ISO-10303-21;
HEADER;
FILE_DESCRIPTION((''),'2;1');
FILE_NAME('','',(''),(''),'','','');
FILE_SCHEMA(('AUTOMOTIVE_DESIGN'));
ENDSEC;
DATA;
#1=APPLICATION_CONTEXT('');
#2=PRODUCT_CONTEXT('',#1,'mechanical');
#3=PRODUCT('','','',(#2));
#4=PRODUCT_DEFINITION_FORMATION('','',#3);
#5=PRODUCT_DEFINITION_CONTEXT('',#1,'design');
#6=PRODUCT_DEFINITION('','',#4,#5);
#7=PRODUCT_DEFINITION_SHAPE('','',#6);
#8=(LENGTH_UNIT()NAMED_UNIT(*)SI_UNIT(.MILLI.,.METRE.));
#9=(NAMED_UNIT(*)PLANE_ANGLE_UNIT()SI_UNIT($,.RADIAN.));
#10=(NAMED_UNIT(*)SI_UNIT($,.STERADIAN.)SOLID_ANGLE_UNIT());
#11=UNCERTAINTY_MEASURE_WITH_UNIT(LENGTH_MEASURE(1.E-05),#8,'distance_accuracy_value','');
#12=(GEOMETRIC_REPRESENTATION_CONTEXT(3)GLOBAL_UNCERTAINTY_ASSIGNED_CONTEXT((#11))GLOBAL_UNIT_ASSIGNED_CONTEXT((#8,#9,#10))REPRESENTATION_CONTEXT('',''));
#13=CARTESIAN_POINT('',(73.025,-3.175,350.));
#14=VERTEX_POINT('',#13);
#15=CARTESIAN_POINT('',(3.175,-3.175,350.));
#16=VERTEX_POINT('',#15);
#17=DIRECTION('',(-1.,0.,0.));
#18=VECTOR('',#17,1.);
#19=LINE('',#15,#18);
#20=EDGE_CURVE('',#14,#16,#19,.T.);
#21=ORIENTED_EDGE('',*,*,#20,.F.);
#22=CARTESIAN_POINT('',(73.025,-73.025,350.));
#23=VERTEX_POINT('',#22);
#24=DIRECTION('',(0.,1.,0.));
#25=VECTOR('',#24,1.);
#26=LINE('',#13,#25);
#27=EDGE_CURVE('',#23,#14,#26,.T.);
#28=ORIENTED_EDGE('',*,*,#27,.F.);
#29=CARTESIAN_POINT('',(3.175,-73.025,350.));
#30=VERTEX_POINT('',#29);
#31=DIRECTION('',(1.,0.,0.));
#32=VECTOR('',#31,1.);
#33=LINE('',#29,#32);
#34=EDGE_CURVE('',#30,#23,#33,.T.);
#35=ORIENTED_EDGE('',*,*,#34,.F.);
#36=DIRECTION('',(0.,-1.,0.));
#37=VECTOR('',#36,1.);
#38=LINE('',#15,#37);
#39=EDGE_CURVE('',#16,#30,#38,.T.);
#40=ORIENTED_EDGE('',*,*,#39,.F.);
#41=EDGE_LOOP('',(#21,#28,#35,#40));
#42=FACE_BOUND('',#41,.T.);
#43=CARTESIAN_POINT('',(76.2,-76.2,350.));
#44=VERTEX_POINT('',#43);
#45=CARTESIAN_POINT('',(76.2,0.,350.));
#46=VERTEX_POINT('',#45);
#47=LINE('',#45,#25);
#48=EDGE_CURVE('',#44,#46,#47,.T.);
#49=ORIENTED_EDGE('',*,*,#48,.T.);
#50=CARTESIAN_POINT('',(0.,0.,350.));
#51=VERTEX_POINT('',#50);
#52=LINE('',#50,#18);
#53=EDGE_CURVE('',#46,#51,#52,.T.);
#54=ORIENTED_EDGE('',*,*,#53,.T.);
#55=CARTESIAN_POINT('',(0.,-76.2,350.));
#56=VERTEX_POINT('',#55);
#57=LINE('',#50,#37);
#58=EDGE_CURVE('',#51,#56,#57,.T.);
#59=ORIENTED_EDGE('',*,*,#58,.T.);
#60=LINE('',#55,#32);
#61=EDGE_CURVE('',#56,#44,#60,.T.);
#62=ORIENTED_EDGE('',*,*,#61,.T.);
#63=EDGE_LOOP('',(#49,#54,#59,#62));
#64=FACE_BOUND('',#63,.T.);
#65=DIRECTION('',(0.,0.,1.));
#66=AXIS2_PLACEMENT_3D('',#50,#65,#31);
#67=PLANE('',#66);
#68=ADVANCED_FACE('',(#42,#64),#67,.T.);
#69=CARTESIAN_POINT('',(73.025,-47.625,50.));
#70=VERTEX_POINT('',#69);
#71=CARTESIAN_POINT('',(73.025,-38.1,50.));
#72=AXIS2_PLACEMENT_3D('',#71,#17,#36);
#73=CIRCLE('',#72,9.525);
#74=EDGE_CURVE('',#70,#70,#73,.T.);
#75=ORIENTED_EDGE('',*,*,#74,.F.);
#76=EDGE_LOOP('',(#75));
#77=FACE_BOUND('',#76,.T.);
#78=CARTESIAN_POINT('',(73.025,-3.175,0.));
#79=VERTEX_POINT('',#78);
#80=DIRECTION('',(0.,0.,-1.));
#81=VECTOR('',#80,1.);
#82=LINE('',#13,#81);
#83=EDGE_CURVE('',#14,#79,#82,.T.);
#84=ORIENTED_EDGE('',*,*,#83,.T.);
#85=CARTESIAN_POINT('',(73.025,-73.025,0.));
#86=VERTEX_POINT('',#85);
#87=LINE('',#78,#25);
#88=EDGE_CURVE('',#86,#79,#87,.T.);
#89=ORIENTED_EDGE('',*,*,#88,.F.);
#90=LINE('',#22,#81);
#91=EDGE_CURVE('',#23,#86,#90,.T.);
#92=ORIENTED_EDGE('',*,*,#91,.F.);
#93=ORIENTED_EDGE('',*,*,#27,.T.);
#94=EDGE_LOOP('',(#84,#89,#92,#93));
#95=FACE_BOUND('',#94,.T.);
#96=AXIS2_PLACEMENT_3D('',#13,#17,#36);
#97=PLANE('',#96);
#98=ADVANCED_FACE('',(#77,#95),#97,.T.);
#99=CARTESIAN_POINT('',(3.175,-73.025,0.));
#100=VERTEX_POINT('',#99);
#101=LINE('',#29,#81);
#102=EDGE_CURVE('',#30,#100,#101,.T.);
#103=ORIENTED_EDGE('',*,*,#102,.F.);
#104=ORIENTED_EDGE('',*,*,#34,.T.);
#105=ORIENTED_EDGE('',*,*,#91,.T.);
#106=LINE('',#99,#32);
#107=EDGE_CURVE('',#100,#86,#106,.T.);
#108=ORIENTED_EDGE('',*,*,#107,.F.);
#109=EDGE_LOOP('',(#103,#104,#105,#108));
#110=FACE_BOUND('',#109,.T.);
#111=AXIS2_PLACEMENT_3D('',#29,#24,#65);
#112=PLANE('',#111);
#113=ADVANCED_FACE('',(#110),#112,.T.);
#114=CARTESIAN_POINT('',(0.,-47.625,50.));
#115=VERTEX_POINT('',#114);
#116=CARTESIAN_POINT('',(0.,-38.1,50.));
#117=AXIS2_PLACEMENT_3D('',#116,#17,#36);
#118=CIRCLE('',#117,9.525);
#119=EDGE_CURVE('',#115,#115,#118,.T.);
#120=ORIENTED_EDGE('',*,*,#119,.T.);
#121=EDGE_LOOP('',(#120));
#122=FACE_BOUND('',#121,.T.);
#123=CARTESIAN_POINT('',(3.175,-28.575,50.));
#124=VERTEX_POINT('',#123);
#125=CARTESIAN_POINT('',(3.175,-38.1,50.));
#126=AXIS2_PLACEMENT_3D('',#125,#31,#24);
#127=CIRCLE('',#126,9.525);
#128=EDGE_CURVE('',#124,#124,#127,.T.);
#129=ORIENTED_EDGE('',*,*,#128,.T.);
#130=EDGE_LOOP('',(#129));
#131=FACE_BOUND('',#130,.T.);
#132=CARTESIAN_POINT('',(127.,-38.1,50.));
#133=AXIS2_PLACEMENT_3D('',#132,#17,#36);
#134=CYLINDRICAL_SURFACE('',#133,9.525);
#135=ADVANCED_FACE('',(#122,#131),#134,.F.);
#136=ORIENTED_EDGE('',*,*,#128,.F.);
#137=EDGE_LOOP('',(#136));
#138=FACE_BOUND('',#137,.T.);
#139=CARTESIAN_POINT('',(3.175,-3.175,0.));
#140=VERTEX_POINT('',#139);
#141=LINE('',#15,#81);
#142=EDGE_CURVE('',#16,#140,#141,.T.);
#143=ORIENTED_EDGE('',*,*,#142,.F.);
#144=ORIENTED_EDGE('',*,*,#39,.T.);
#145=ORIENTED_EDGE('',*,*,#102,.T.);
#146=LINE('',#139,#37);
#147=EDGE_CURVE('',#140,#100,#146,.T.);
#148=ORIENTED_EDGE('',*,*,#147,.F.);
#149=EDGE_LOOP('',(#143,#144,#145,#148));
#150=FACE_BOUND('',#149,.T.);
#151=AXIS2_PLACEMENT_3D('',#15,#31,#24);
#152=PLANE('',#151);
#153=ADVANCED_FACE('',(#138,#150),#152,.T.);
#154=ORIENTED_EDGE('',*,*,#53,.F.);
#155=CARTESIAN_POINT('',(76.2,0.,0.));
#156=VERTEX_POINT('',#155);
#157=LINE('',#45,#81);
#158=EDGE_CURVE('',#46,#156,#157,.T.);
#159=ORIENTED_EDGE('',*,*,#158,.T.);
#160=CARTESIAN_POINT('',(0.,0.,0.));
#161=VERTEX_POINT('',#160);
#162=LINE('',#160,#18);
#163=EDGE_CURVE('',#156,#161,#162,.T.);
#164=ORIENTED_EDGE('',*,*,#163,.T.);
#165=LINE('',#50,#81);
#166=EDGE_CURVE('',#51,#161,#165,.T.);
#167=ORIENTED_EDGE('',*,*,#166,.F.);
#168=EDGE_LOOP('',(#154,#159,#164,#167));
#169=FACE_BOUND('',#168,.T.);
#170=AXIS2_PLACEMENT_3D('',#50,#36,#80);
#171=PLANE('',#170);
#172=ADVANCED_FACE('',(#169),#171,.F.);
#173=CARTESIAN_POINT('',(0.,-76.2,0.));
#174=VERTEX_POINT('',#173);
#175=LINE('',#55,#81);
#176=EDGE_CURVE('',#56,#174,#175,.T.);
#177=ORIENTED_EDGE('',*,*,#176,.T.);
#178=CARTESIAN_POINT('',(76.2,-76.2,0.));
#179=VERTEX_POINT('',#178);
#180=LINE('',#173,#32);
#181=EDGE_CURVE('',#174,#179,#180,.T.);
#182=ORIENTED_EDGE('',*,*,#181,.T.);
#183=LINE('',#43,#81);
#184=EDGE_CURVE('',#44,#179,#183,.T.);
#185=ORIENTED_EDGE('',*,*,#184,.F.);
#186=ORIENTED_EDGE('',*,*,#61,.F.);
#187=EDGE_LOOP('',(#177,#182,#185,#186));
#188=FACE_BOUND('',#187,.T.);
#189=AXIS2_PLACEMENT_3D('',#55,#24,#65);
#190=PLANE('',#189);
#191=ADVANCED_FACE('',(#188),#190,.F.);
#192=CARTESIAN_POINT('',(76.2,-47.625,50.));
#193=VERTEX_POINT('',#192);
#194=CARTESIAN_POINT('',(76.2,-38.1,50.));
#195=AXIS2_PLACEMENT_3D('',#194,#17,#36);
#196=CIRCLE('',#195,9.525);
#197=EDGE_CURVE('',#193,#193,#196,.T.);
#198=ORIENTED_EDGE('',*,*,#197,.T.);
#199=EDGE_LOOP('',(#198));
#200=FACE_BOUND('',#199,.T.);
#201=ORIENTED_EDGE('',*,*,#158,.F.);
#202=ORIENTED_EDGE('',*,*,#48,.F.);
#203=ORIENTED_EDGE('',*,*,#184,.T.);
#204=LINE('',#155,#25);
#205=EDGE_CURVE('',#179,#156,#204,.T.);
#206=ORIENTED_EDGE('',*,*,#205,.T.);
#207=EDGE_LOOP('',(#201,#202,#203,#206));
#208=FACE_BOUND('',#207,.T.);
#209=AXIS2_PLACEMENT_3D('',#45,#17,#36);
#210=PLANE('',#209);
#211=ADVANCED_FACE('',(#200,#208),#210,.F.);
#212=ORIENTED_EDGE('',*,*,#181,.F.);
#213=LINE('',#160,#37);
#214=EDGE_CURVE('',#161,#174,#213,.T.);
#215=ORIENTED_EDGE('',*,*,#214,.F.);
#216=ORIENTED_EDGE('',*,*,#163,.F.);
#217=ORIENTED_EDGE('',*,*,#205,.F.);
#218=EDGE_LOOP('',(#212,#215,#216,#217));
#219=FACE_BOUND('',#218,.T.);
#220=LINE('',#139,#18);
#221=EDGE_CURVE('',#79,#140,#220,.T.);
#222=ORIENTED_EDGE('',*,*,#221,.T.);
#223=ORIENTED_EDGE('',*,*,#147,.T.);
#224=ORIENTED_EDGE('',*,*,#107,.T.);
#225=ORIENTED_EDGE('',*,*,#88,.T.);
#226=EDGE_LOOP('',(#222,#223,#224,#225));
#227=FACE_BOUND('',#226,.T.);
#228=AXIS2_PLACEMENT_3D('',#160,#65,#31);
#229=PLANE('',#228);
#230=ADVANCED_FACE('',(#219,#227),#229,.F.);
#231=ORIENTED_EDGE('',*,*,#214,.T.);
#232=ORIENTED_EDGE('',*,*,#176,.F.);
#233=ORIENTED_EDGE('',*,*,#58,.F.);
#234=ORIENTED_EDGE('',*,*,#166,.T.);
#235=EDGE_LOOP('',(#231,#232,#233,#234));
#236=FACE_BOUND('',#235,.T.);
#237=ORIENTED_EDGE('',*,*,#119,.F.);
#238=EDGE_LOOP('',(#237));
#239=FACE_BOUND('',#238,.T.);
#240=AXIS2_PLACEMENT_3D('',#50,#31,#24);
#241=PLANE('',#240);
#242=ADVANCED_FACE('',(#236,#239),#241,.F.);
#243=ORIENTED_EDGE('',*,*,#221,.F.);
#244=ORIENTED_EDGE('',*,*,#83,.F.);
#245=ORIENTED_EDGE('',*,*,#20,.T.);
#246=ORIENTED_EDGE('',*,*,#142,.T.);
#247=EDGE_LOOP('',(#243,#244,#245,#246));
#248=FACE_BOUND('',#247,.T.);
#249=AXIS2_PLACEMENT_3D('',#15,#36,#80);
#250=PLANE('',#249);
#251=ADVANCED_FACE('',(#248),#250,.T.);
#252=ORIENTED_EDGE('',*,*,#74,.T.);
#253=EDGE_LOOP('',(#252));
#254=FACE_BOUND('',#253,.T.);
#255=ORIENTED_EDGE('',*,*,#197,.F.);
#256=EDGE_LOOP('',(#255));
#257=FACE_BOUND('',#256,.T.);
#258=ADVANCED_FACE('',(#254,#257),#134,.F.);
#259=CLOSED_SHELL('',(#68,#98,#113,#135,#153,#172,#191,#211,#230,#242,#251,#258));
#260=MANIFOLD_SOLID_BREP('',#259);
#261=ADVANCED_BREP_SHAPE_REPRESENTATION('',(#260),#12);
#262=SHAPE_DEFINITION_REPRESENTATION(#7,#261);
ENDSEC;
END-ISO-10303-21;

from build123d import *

# Parameters (mm, degrees)
CROQUIS1_W              = 76.2
CROQUIS1_H              = 76.2
CROQUIS1_W_2            = 69.85
CROQUIS1_H_2            = 69.85
SALIENTE_EXTRUIR1_DEPTH = 350
CROQUIS3_R              = 9.525
CORTAR_EXTRUIR2_DEPTH   = 127


with BuildPart() as part:
    # Croquis1 → Saliente-Extruir1 (new body)
    with BuildSketch(Plane.XY):
        with Locations((38.1, -38.1)):
            Rectangle(CROQUIS1_W, CROQUIS1_H)
        with Locations((38.1, -38.1)):
            Rectangle(CROQUIS1_W_2, CROQUIS1_H_2, mode=Mode.SUBTRACT)
    extrude(amount=SALIENTE_EXTRUIR1_DEPTH)

    # Croquis3 → Cortar-Extruir2 (cut)
    with BuildSketch(Plane.ZY):
        with Locations((50, -38.1)):
            Circle(CROQUIS3_R)
    extrude(amount=-CORTAR_EXTRUIR2_DEPTH, mode=Mode.SUBTRACT)


solid = part.part
